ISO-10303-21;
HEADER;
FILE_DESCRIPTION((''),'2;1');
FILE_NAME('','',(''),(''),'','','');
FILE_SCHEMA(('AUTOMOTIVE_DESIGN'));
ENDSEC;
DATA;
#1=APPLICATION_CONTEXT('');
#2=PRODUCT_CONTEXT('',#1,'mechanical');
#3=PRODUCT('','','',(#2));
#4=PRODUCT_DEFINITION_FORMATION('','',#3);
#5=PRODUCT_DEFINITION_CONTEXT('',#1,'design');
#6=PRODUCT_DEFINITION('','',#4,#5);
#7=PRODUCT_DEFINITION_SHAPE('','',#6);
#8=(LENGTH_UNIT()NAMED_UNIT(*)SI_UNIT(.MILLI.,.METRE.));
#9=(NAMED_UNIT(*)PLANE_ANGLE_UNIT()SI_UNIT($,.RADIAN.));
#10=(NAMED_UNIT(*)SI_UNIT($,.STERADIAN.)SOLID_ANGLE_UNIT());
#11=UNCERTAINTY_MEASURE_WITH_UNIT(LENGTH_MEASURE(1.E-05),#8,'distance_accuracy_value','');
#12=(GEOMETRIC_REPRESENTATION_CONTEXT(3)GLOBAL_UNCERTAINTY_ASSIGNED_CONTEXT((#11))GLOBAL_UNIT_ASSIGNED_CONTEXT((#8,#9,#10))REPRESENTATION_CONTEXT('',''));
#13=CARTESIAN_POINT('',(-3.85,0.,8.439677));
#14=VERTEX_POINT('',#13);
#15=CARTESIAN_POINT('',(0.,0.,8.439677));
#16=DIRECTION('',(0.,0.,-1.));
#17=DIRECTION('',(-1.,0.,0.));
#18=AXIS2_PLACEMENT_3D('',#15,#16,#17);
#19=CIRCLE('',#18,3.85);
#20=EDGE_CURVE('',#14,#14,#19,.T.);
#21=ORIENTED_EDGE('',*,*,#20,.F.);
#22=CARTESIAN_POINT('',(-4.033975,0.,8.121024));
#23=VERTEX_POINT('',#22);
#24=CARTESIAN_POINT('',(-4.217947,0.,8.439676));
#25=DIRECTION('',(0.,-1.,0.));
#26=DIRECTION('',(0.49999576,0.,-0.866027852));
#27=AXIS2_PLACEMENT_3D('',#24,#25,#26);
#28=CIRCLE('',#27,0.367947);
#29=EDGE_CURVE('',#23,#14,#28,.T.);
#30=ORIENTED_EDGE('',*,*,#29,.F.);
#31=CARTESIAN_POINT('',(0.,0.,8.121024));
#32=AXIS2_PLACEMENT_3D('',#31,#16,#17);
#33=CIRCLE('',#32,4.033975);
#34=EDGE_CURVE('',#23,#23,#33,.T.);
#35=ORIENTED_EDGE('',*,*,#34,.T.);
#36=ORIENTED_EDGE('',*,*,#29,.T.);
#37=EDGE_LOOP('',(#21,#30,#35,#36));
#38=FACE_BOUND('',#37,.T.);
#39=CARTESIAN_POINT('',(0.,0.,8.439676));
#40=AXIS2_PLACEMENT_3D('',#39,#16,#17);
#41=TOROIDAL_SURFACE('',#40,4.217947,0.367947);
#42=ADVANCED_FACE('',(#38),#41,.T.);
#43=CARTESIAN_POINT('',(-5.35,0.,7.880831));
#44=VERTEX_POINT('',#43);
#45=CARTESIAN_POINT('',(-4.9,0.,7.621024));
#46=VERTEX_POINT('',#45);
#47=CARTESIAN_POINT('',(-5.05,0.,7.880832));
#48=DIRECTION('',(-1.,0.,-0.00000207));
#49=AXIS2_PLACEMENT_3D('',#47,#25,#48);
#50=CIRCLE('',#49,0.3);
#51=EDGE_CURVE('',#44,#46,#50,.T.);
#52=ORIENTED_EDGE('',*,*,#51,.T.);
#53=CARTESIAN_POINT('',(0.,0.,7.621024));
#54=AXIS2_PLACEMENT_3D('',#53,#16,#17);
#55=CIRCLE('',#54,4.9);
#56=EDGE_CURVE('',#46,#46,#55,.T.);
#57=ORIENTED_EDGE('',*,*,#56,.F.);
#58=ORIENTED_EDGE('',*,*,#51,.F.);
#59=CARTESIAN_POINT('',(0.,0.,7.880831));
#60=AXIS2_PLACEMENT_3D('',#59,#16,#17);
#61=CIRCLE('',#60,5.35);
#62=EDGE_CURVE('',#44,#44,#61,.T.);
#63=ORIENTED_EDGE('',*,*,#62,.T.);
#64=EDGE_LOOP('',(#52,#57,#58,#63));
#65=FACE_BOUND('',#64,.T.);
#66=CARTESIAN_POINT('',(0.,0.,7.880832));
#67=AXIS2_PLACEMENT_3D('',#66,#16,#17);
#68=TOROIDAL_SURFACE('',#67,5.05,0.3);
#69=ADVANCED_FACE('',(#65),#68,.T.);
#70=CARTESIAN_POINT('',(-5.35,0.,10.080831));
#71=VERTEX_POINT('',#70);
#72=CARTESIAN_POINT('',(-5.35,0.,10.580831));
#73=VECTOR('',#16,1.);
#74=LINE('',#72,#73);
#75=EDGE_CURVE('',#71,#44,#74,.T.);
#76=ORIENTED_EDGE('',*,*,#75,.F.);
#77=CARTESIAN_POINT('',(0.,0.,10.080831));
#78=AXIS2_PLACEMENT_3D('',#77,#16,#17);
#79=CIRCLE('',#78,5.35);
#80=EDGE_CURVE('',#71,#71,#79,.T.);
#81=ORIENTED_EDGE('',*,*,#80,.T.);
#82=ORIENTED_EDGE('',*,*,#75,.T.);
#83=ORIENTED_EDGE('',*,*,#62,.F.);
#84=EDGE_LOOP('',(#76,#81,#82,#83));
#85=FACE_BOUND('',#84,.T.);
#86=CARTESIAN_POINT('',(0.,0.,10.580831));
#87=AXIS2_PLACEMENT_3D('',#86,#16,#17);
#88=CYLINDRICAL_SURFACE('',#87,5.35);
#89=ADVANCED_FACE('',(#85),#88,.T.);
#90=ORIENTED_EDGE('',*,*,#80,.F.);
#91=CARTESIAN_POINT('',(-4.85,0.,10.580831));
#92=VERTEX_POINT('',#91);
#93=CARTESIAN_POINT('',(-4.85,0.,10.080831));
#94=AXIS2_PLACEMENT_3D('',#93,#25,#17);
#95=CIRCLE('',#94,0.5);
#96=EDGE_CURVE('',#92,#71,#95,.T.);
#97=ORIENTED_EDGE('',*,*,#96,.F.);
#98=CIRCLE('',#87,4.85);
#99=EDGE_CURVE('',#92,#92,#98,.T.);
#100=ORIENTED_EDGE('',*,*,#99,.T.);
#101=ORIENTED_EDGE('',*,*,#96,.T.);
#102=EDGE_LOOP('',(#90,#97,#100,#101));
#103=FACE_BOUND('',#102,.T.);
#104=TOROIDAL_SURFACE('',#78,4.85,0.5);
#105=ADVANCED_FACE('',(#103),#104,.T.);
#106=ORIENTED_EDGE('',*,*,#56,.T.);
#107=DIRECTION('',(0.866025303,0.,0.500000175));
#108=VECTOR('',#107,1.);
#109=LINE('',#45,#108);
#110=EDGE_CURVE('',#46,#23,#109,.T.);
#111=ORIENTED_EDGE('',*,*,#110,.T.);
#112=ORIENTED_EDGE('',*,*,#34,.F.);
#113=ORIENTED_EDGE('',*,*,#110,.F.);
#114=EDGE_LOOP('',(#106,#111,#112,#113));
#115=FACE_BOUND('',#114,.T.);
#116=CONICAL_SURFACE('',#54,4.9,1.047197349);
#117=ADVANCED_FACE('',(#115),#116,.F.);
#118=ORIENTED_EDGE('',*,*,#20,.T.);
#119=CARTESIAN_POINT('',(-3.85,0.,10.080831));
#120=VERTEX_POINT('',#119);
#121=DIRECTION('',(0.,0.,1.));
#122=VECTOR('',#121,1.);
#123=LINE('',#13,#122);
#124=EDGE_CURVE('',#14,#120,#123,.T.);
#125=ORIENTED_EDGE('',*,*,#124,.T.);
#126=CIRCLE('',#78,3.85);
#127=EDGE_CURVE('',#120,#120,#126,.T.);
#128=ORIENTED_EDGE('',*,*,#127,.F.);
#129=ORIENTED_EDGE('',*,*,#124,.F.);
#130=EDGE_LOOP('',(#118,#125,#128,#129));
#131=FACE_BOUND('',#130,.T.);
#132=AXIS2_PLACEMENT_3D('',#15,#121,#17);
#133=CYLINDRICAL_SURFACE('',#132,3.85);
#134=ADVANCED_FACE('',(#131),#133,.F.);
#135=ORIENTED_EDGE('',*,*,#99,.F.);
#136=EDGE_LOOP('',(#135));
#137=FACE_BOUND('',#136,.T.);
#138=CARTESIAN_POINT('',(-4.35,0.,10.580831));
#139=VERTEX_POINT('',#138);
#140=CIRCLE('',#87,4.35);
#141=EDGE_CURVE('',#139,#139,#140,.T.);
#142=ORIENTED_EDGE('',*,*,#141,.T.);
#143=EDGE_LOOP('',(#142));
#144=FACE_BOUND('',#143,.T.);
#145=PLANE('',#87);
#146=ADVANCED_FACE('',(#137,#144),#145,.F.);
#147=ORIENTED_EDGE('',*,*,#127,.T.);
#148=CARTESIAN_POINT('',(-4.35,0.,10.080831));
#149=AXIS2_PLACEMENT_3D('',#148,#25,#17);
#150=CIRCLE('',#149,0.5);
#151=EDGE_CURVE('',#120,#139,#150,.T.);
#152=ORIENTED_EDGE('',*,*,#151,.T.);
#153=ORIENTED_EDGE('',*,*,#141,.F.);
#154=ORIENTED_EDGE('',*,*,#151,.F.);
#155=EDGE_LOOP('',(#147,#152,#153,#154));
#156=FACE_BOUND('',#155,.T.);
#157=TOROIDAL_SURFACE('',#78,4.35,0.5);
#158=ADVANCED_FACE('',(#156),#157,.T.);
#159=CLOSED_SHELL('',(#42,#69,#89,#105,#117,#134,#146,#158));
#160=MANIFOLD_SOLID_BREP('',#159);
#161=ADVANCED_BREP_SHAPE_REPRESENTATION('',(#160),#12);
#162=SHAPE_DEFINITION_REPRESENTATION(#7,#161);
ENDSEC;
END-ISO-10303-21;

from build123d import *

# Parameters (mm, degrees)
F2_R = 0.5


with BuildPart() as f1:
    # F0 (on Front) → F1 (revolve)
    with BuildSketch(Plane.XZ):
        with BuildLine():
            Line((-4.9, 7.621024), (-4.033975, 8.121024))
            ThreePointArc((-4.033975, 8.121024), (-3.899296, 8.255702), (-3.85, 8.439677))
            Line((-3.85, 8.439677), (-3.85, 10.580831))
            Line((-3.85, 10.580831), (-5.35, 10.580831))
            Line((-5.35, 10.580831), (-5.35, 7.880831))
            ThreePointArc((-5.35, 7.880831), (-5.2, 7.621024), (-4.9, 7.621024))
        make_face()
    revolve(axis=Axis((0, 0, -0.587365), (0, 0, -1)))

    # F2
    f2_edges = [f1.edges().sort_by_distance(p)[0] for p in [
        (3.85, 0, 10.580831),
        (5.35, 0, 10.580831),
    ]]
    fillet(f2_edges, radius=F2_R)


solid = f1.part
